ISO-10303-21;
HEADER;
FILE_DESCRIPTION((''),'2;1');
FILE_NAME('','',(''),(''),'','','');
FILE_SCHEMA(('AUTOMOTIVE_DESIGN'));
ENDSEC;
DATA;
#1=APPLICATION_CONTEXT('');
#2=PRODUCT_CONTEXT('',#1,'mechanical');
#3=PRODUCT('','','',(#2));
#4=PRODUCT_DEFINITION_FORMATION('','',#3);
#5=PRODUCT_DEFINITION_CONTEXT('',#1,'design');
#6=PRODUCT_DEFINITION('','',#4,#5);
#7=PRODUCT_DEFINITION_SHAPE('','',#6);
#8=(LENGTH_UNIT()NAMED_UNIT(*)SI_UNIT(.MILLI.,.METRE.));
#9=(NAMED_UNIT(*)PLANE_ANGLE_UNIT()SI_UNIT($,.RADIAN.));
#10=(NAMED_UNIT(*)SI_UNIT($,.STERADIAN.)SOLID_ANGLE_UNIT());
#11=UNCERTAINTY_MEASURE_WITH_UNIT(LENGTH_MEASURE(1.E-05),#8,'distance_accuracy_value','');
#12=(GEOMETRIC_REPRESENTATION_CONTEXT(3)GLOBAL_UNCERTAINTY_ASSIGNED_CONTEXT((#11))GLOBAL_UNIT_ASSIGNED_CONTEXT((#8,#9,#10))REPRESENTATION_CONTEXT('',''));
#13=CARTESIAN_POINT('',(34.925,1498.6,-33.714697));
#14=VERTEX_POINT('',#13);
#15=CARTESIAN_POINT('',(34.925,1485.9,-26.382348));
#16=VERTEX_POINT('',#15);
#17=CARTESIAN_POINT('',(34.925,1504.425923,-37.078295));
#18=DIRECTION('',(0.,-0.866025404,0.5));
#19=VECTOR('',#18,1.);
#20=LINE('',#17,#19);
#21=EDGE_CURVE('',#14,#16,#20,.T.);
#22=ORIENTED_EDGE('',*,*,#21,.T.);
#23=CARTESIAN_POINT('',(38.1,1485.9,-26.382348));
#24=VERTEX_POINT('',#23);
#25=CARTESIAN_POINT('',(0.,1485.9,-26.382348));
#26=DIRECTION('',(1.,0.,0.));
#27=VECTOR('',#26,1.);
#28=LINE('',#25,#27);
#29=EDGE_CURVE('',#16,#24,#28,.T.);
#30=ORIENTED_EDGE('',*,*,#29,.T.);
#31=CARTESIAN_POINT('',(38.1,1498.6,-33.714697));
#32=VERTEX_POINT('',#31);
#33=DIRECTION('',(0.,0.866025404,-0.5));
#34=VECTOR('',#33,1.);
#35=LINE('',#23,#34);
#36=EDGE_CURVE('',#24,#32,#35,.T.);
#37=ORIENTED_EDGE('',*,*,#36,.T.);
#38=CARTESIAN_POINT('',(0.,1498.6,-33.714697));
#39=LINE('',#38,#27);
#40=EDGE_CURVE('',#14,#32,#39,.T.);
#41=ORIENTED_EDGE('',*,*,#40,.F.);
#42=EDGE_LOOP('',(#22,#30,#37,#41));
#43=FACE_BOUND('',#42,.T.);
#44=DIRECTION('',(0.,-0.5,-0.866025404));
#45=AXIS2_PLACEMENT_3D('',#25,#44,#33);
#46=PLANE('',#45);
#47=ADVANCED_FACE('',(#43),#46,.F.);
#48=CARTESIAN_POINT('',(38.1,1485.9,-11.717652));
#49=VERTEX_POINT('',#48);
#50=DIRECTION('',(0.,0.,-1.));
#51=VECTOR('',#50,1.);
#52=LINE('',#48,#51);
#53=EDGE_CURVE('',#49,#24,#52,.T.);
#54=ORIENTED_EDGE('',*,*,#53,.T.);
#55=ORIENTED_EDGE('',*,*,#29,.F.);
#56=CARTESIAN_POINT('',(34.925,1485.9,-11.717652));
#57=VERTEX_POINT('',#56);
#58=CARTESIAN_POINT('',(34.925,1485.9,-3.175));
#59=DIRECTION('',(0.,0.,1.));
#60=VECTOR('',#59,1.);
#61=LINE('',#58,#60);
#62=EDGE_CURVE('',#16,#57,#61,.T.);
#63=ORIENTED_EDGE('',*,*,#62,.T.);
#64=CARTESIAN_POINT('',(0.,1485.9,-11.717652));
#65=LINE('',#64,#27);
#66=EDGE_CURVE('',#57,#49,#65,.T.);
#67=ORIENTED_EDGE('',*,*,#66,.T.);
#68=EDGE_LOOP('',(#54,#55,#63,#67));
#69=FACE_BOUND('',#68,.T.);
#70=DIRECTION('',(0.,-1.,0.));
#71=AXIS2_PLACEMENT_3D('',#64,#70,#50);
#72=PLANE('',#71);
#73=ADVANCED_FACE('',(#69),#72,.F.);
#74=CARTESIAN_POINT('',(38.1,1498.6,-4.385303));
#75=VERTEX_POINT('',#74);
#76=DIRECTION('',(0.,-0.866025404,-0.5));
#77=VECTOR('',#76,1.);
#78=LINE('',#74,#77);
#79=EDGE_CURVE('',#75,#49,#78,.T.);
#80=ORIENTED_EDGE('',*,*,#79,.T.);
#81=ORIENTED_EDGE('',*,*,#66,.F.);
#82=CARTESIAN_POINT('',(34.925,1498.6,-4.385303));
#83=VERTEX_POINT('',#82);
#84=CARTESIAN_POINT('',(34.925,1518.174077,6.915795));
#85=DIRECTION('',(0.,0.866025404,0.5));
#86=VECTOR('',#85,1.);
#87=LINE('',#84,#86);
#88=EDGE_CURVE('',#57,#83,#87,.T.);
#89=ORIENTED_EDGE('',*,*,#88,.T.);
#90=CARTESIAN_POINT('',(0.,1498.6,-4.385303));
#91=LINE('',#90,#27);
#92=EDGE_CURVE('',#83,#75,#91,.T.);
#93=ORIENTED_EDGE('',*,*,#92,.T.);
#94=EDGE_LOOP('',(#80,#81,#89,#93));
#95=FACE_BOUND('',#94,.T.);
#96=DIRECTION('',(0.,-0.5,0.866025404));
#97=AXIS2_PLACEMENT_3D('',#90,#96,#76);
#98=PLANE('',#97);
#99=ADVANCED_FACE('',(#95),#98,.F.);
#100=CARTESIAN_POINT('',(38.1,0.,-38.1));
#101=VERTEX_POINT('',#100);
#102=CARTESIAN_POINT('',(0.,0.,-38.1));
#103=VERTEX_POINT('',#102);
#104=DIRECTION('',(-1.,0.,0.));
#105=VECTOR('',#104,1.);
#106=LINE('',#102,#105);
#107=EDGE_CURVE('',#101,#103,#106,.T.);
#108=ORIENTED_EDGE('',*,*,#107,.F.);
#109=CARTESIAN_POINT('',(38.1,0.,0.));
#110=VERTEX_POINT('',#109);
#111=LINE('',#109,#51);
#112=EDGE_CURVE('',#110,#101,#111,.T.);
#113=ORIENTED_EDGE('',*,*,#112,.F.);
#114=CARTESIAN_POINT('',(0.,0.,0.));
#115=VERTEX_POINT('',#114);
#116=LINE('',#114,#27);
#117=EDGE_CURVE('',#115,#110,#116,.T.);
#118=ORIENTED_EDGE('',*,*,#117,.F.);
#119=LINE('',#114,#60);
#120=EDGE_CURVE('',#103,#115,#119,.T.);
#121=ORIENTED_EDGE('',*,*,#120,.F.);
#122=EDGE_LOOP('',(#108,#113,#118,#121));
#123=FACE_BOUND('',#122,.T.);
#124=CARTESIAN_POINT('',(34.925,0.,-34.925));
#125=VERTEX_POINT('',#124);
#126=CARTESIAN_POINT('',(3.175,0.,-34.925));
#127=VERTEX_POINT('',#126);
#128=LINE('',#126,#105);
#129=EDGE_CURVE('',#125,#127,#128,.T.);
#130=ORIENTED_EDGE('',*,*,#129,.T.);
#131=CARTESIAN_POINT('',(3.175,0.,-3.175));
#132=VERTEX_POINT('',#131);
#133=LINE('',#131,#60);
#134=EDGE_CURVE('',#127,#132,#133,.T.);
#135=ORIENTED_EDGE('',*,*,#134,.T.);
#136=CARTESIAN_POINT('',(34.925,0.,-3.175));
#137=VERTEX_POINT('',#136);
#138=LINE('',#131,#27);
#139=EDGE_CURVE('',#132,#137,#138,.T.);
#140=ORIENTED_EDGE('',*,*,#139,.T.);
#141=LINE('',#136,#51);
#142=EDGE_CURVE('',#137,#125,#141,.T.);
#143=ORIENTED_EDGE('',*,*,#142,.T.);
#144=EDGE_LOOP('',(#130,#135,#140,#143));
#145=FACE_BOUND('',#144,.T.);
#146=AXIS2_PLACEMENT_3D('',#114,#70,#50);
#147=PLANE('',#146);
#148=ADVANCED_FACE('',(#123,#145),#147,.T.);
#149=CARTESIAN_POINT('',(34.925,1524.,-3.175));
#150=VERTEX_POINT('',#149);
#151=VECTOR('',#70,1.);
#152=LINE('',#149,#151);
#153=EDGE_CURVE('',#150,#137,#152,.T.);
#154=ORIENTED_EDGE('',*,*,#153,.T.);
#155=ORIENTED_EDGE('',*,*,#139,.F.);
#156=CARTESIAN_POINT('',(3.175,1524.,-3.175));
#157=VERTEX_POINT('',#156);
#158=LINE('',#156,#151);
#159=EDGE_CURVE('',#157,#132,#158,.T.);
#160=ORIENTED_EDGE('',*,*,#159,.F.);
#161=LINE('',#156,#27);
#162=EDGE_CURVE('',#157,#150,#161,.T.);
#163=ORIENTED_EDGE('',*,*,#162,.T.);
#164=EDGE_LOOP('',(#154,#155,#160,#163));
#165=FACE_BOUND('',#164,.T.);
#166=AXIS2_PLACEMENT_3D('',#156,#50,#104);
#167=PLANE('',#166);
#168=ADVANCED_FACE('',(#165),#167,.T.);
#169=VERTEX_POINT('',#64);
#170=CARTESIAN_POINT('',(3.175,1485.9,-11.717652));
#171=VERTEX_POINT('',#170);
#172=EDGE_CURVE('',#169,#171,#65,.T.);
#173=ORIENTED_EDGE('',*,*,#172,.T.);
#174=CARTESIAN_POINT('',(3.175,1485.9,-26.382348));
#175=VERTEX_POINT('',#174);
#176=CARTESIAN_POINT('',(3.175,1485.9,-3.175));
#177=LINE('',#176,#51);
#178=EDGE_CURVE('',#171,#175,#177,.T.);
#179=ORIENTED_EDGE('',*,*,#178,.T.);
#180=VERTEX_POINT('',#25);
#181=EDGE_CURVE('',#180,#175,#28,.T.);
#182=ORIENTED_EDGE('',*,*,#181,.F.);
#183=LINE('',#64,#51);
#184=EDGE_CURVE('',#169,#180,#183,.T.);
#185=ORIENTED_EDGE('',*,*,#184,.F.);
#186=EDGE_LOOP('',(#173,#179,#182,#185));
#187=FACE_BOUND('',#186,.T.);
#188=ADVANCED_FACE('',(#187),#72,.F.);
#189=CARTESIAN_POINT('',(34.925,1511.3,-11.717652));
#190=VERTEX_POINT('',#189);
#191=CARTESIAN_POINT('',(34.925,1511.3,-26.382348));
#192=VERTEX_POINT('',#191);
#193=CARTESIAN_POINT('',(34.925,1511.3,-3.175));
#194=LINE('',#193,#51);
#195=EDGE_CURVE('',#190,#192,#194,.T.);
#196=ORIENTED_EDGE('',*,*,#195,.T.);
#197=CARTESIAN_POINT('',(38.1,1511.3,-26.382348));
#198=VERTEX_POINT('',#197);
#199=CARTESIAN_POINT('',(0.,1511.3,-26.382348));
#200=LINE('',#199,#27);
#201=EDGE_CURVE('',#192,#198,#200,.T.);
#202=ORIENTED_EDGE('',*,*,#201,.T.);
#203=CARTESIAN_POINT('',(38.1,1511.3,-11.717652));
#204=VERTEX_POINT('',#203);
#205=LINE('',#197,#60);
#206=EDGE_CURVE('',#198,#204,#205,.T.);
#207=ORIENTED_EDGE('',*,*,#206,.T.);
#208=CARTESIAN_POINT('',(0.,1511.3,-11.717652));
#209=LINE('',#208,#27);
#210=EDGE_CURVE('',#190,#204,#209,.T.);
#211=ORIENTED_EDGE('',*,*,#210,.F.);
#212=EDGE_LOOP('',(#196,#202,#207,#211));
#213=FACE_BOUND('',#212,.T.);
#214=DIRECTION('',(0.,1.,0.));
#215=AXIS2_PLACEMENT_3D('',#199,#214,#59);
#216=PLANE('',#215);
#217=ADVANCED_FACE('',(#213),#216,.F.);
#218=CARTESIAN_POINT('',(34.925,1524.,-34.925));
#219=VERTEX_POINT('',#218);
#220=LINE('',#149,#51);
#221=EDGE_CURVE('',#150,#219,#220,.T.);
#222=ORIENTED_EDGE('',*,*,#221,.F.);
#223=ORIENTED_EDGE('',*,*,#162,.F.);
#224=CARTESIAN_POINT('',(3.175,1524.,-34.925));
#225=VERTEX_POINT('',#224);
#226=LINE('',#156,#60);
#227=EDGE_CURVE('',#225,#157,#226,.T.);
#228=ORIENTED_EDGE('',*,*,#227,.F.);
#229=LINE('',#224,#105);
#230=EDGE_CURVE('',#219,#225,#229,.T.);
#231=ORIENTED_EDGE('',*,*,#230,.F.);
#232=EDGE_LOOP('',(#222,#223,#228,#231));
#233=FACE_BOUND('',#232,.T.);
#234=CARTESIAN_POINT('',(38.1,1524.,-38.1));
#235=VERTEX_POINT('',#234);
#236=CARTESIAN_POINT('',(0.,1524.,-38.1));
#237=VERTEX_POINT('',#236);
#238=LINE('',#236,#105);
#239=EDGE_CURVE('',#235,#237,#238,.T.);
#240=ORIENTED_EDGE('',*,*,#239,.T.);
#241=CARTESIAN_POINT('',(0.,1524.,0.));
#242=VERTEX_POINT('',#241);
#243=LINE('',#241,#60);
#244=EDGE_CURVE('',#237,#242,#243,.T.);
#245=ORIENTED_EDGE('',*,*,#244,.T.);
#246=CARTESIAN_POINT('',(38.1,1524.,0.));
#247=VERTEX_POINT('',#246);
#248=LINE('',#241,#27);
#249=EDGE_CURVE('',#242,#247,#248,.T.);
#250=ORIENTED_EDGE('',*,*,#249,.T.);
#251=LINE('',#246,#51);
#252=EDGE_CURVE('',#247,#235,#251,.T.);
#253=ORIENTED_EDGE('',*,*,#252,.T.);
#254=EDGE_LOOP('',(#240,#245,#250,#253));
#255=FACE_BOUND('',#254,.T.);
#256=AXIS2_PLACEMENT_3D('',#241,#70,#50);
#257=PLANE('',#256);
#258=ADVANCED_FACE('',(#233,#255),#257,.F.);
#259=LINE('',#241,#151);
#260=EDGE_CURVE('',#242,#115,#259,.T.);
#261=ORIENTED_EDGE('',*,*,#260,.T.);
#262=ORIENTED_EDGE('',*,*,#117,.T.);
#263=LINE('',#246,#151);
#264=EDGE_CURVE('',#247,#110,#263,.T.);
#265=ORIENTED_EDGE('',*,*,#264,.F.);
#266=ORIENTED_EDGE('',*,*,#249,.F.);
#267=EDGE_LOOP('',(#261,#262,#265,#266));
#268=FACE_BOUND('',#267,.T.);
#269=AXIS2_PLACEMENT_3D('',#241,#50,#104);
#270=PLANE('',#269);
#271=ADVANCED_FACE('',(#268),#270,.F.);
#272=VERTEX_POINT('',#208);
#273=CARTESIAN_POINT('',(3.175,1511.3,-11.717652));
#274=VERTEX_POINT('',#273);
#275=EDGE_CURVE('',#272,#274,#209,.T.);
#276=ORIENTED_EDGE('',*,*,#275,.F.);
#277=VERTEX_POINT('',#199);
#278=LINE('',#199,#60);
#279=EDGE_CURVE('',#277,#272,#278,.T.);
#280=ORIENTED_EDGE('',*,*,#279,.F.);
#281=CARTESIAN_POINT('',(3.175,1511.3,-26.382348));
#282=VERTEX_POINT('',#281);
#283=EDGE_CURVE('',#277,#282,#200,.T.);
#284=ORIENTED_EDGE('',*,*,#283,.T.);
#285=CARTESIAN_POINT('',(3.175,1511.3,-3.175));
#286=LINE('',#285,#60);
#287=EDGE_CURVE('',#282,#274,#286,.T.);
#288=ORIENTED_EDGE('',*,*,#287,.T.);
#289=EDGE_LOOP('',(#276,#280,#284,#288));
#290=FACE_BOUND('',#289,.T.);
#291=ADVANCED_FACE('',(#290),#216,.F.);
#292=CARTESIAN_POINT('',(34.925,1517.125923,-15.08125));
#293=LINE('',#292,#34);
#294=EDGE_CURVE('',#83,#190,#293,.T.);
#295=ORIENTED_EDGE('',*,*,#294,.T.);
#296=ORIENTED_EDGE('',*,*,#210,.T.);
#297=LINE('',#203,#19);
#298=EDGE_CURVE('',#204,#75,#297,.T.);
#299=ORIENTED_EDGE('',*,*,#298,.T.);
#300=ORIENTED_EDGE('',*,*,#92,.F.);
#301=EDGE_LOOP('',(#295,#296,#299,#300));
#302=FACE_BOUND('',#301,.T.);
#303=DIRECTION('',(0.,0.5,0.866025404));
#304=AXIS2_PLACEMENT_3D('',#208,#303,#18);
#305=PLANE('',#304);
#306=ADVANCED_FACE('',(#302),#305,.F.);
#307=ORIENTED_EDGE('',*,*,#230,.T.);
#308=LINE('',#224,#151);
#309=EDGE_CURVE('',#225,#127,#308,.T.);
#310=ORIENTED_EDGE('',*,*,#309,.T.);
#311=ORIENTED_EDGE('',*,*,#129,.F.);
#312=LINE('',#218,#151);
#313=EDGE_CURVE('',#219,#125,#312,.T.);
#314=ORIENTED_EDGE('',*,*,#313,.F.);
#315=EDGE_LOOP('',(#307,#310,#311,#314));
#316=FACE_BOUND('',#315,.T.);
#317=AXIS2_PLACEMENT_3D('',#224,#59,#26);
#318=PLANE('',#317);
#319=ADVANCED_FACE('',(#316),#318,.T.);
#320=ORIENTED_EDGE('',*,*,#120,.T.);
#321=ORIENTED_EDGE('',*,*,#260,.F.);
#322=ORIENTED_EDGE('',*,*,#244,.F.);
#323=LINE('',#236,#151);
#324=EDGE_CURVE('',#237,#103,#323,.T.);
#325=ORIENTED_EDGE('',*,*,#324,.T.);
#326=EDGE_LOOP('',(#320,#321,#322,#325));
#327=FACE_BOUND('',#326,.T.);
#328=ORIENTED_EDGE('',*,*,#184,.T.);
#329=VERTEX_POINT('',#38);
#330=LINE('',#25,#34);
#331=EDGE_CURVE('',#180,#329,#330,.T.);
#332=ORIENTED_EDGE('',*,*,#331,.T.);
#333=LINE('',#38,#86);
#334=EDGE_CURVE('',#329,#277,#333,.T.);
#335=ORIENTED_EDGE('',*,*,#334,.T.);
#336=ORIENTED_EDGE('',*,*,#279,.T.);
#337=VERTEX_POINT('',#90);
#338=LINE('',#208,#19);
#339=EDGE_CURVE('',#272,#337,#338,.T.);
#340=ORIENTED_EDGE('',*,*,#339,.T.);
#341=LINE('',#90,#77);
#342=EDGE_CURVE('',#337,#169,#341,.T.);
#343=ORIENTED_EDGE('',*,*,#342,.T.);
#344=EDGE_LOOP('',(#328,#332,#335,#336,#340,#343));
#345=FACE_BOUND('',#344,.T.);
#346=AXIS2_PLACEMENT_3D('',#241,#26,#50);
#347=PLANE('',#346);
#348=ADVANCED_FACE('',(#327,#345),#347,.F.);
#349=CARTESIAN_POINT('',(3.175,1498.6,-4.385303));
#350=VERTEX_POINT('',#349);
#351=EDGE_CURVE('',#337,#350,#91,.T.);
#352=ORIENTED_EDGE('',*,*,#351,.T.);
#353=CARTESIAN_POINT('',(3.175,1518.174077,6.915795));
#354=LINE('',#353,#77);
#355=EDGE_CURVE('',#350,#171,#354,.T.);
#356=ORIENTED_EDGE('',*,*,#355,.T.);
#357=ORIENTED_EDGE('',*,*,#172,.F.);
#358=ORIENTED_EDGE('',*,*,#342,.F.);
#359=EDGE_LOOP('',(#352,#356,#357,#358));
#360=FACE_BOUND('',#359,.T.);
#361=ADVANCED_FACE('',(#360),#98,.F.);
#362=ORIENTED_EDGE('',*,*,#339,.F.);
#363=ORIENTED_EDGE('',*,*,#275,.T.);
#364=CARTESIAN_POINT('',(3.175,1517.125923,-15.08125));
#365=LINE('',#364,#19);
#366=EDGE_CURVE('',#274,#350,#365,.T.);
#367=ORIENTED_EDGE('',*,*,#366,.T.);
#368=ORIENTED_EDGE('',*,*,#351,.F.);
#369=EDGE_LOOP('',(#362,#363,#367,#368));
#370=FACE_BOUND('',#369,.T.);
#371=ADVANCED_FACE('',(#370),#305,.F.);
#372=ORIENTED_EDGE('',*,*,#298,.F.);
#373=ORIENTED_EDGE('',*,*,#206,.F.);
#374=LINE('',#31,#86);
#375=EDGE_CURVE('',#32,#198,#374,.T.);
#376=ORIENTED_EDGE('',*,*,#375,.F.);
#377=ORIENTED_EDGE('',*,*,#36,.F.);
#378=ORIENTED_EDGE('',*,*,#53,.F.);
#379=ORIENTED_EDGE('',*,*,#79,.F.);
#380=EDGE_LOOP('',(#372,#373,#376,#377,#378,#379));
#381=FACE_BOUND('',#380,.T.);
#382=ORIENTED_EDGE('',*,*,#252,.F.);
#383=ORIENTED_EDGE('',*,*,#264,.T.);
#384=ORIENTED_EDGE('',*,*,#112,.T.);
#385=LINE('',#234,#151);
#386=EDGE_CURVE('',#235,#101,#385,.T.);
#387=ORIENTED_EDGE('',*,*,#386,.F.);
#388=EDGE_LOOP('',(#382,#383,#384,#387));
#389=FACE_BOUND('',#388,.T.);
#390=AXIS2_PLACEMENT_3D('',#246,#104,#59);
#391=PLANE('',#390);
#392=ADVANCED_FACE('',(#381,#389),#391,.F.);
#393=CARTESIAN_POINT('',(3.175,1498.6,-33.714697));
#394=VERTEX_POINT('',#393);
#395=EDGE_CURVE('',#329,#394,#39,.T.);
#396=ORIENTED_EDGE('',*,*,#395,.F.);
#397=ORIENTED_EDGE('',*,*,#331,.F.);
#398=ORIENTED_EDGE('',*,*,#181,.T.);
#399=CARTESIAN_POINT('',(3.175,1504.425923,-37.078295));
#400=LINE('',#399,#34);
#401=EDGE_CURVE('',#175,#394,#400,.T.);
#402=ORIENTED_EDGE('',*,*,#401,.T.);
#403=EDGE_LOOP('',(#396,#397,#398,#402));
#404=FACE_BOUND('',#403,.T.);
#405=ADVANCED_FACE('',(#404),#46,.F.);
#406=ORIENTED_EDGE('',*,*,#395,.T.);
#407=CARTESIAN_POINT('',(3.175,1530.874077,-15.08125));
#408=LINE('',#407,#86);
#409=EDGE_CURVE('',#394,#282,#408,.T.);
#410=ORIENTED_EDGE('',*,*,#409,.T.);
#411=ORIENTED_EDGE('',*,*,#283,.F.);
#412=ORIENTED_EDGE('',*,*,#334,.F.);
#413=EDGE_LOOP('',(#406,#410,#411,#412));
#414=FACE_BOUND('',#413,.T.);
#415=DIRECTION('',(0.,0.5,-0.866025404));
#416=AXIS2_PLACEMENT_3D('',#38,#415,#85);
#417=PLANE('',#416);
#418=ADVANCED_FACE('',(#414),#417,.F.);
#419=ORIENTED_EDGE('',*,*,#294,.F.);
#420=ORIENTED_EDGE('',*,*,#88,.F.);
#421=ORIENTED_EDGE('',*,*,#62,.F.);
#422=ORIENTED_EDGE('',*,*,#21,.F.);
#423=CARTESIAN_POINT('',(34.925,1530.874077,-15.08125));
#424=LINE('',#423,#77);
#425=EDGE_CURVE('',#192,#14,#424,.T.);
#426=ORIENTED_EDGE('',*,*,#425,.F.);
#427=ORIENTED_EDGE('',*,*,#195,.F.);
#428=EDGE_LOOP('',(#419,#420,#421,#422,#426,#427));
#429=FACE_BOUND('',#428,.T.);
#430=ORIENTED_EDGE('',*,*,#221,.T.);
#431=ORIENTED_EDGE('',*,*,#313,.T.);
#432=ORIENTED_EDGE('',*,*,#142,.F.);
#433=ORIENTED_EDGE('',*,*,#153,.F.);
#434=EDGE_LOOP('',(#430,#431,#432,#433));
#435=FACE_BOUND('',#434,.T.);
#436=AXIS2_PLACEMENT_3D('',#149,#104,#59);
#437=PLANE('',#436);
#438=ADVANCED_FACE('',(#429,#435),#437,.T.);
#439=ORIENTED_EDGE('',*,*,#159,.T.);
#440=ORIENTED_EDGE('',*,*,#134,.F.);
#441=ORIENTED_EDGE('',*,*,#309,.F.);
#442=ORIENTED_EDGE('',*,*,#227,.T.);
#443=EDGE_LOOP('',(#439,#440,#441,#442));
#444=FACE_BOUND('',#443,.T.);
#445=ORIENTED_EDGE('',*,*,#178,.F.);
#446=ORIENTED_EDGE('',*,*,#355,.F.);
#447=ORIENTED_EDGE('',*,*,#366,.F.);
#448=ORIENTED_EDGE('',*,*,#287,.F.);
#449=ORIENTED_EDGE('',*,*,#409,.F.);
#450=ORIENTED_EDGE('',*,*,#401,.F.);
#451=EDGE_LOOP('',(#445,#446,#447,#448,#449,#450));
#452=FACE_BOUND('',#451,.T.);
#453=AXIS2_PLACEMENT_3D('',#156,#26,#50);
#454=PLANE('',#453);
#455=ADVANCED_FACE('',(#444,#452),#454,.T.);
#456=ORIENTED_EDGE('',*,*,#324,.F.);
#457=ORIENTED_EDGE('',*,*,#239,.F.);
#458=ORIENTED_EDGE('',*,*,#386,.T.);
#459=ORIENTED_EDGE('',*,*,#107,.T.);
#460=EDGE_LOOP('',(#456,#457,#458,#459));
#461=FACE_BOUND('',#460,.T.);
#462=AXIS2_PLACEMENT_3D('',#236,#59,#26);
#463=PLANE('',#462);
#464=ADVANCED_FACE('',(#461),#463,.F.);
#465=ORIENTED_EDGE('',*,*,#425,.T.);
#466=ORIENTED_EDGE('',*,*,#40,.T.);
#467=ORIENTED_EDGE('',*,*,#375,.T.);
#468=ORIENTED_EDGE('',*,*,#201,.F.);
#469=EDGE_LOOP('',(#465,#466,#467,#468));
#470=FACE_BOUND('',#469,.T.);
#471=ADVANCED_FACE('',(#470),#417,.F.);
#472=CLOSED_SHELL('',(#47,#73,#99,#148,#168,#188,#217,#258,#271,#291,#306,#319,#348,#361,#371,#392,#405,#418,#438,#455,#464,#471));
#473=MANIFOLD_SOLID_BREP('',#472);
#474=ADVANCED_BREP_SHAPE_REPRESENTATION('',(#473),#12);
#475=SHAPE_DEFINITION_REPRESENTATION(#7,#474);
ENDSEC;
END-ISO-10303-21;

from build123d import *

# Parameters (mm, degrees)
SKETCH1_W           = 38.1
SKETCH1_H           = 38.1
SKETCH1_W_2         = 31.75
SKETCH1_H_2         = 31.75
BOSS_EXTRUDE1_DEPTH = 1524
CUT_EXTRUDE1_DEPTH  = 38.1


with BuildPart() as part:
    # Sketch1 → Boss-Extrude1 (new body)
    with BuildSketch(Plane(origin=(0, 0, 0), x_dir=(1, 0, 0), z_dir=(0, 1, 0))):
        with Locations((19.05, 19.05)):
            Rectangle(SKETCH1_W, SKETCH1_H)
        with Locations((19.05, 19.05)):
            Rectangle(SKETCH1_W_2, SKETCH1_H_2, mode=Mode.SUBTRACT)
    extrude(amount=BOSS_EXTRUDE1_DEPTH)

    # Sketch2 → Cut-Extrude1 (cut)
    with BuildSketch(Plane(origin=(38.1, 0, 0), x_dir=(0, 0, -1), z_dir=(1, 0, 0))):
        Polygon((33.714696837, 1498.6), (26.382348419, 1511.3), (11.717651581, 1511.3), (4.385303163, 1498.6), (11.717651581, 1485.9), (26.382348419, 1485.9), align=None)
    extrude(amount=-CUT_EXTRUDE1_DEPTH, mode=Mode.SUBTRACT)


solid = part.part
